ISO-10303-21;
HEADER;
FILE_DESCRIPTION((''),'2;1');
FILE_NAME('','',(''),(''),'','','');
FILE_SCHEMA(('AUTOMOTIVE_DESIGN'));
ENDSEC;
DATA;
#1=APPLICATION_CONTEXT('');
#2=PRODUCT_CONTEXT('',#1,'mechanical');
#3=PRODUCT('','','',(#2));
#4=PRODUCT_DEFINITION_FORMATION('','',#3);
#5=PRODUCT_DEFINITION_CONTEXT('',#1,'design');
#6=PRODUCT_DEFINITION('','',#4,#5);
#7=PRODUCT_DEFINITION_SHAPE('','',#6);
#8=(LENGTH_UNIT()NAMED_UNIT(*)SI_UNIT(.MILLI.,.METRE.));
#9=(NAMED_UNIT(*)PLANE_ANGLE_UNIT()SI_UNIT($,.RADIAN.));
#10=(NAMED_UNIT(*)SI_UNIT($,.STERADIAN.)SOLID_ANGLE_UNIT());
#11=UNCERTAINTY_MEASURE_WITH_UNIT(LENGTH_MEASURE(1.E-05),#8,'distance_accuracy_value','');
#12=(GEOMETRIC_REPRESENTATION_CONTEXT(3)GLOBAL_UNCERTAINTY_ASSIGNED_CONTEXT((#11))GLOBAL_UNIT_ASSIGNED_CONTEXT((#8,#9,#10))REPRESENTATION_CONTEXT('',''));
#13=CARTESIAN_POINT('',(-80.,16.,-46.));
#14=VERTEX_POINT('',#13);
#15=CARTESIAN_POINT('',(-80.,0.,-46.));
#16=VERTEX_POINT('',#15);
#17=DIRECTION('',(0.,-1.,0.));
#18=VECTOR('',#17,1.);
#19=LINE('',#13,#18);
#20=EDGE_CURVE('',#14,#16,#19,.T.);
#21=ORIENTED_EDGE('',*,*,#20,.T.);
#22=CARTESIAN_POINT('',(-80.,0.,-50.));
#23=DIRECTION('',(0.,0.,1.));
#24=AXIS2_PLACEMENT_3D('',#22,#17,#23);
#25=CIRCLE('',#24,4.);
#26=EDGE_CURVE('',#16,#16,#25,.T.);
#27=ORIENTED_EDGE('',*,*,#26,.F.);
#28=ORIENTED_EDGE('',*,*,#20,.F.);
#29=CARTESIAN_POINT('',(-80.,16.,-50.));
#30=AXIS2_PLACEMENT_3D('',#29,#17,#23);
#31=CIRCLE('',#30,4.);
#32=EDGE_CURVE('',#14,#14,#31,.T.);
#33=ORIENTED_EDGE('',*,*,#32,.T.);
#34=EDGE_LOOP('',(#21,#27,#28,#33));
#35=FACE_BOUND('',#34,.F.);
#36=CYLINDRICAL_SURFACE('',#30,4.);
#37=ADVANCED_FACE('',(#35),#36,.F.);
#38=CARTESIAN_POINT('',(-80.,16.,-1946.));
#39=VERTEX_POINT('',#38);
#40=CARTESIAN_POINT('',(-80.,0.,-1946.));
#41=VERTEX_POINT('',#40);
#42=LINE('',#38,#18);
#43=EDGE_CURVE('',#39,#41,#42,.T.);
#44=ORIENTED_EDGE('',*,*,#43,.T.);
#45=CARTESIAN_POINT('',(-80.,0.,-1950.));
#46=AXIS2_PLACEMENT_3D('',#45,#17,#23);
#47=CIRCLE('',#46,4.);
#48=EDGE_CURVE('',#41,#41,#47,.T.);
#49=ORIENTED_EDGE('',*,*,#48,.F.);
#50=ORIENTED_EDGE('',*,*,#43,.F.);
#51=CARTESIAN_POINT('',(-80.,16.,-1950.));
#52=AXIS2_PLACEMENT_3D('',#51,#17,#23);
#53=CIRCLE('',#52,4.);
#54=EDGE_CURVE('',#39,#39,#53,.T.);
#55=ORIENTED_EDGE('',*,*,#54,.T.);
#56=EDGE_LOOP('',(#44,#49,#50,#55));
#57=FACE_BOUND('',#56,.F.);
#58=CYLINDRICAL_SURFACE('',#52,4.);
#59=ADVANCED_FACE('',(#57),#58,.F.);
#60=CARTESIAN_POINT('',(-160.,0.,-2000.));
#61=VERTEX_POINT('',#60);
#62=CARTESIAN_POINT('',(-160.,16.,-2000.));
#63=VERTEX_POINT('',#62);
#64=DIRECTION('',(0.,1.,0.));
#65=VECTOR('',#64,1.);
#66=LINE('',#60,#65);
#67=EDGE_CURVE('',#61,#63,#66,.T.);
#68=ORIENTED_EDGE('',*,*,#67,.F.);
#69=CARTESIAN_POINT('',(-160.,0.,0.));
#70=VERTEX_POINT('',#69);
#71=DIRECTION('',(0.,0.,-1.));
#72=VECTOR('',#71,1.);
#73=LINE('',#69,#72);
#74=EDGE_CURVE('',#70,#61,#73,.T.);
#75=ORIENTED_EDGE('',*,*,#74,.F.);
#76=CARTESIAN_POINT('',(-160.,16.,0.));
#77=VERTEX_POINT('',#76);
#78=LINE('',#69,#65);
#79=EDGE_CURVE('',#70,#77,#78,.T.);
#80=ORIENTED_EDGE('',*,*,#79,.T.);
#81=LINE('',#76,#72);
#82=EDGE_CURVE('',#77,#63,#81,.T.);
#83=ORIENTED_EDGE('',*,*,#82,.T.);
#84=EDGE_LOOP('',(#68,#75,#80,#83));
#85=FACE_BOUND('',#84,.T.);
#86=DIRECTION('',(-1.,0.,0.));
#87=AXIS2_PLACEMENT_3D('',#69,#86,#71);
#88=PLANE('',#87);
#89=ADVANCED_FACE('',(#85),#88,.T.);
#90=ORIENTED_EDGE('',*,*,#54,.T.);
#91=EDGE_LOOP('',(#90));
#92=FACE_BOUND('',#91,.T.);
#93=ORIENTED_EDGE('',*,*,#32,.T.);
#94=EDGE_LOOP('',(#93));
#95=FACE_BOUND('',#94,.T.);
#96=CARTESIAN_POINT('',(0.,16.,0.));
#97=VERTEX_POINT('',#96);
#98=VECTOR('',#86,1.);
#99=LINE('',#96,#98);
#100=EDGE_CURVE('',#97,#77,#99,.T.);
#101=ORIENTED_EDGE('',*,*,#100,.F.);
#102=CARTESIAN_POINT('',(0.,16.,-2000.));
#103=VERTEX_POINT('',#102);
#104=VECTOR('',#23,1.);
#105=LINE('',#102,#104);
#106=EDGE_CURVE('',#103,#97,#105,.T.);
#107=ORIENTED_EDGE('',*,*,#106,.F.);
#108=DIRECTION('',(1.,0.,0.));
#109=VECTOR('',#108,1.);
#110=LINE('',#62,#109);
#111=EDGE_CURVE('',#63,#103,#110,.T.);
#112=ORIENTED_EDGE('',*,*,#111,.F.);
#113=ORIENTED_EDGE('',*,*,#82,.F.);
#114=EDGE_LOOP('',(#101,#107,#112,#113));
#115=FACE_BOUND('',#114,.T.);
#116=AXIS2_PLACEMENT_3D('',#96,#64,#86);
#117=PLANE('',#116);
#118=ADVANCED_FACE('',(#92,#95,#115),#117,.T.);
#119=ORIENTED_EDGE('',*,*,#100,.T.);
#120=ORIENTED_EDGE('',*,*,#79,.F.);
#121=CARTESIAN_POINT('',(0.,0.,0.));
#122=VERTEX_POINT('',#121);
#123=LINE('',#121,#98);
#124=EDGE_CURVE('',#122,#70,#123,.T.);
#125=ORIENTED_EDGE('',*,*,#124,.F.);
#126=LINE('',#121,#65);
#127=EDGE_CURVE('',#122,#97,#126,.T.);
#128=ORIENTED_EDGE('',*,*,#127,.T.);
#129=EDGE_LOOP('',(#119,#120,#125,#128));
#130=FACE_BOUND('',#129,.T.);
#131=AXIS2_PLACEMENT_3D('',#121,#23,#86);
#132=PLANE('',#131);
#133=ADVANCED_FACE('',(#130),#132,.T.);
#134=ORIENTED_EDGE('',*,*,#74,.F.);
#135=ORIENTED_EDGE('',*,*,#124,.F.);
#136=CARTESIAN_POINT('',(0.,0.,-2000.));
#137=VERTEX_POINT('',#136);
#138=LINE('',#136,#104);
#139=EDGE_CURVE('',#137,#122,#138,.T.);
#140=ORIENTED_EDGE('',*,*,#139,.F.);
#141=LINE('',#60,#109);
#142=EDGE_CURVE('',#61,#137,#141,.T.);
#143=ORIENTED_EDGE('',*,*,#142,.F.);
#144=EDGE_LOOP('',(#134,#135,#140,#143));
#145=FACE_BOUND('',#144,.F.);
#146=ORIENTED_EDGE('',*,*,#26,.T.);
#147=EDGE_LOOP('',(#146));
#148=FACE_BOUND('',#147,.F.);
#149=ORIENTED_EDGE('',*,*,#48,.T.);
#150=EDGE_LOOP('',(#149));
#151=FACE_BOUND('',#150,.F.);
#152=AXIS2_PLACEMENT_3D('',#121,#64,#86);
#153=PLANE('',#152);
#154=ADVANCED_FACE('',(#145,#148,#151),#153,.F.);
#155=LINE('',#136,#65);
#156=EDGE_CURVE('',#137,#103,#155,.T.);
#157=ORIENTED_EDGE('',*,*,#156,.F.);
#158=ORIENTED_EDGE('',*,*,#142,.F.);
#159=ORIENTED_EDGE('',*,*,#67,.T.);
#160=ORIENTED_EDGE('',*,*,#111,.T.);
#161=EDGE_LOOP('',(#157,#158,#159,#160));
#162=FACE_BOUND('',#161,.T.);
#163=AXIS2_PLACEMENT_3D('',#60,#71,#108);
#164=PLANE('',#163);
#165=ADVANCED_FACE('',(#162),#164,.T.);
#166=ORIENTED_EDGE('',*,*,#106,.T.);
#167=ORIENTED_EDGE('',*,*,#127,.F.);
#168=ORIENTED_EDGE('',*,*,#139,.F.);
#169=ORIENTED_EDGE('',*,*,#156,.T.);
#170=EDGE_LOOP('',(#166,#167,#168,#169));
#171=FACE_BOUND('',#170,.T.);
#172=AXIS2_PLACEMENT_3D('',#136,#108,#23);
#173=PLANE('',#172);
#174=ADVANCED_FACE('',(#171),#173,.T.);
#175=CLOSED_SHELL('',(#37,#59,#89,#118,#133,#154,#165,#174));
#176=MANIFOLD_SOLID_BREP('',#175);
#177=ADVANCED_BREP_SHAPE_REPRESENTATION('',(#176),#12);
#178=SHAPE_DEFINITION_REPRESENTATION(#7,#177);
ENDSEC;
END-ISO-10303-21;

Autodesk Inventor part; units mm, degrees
ref_plane "YZ Plane" through (0, 0, 0) normal (1, 0, 0) x (0, 1, 0)
ref_plane "XZ Plane" through (0, 0, 0) normal (0, 1, 0) x (-1, 0, 0)
ref_plane "XY Plane" through (0, 0, 0) normal (0, 0, 1) x (1, 0, 0)
sketch "Skizze1" plane through (0, 0, 0) normal (0, 1, 0) x (-1, 0, 0)
  line L0 (0, 0) -> (160, 0)
  line L1 (160, 0) -> (160, -2000)
  line L2 (160, -2000) -> (0, -2000)
  line L3 (0, -2000) -> (0, 0)
  dimension "d0" = 160
  dimension "d1" = 2000
extrude "Extrusion1" add sketch "Skizze1" along normal blind 16
sketch "Skizze2" plane through (0, 16, 0) normal (0, 1, 0) x (1, 0, 0)
  line L0 (-160, 0) -> (0, 0) projected
  line L1 (0, 0) -> (0, 2000) projected
  line L2 (0, 2000) -> (-160, 2000) projected
  line L3 (-160, 2000) -> (-160, 0) projected
  point P0 (-80, 50)
  point P1 (-80, 1950)
  dimension "d4" = 80
  dimension "d5" = 50
  dimension "d6" = 50
  dimension "d7" = 80
hole "Bohrung1" at (-80, 16, -50) at (-80, 16, -1950) direction (0, -1, 0) diameter 8 end through all
properties part number "spielfeld_trennwand"
